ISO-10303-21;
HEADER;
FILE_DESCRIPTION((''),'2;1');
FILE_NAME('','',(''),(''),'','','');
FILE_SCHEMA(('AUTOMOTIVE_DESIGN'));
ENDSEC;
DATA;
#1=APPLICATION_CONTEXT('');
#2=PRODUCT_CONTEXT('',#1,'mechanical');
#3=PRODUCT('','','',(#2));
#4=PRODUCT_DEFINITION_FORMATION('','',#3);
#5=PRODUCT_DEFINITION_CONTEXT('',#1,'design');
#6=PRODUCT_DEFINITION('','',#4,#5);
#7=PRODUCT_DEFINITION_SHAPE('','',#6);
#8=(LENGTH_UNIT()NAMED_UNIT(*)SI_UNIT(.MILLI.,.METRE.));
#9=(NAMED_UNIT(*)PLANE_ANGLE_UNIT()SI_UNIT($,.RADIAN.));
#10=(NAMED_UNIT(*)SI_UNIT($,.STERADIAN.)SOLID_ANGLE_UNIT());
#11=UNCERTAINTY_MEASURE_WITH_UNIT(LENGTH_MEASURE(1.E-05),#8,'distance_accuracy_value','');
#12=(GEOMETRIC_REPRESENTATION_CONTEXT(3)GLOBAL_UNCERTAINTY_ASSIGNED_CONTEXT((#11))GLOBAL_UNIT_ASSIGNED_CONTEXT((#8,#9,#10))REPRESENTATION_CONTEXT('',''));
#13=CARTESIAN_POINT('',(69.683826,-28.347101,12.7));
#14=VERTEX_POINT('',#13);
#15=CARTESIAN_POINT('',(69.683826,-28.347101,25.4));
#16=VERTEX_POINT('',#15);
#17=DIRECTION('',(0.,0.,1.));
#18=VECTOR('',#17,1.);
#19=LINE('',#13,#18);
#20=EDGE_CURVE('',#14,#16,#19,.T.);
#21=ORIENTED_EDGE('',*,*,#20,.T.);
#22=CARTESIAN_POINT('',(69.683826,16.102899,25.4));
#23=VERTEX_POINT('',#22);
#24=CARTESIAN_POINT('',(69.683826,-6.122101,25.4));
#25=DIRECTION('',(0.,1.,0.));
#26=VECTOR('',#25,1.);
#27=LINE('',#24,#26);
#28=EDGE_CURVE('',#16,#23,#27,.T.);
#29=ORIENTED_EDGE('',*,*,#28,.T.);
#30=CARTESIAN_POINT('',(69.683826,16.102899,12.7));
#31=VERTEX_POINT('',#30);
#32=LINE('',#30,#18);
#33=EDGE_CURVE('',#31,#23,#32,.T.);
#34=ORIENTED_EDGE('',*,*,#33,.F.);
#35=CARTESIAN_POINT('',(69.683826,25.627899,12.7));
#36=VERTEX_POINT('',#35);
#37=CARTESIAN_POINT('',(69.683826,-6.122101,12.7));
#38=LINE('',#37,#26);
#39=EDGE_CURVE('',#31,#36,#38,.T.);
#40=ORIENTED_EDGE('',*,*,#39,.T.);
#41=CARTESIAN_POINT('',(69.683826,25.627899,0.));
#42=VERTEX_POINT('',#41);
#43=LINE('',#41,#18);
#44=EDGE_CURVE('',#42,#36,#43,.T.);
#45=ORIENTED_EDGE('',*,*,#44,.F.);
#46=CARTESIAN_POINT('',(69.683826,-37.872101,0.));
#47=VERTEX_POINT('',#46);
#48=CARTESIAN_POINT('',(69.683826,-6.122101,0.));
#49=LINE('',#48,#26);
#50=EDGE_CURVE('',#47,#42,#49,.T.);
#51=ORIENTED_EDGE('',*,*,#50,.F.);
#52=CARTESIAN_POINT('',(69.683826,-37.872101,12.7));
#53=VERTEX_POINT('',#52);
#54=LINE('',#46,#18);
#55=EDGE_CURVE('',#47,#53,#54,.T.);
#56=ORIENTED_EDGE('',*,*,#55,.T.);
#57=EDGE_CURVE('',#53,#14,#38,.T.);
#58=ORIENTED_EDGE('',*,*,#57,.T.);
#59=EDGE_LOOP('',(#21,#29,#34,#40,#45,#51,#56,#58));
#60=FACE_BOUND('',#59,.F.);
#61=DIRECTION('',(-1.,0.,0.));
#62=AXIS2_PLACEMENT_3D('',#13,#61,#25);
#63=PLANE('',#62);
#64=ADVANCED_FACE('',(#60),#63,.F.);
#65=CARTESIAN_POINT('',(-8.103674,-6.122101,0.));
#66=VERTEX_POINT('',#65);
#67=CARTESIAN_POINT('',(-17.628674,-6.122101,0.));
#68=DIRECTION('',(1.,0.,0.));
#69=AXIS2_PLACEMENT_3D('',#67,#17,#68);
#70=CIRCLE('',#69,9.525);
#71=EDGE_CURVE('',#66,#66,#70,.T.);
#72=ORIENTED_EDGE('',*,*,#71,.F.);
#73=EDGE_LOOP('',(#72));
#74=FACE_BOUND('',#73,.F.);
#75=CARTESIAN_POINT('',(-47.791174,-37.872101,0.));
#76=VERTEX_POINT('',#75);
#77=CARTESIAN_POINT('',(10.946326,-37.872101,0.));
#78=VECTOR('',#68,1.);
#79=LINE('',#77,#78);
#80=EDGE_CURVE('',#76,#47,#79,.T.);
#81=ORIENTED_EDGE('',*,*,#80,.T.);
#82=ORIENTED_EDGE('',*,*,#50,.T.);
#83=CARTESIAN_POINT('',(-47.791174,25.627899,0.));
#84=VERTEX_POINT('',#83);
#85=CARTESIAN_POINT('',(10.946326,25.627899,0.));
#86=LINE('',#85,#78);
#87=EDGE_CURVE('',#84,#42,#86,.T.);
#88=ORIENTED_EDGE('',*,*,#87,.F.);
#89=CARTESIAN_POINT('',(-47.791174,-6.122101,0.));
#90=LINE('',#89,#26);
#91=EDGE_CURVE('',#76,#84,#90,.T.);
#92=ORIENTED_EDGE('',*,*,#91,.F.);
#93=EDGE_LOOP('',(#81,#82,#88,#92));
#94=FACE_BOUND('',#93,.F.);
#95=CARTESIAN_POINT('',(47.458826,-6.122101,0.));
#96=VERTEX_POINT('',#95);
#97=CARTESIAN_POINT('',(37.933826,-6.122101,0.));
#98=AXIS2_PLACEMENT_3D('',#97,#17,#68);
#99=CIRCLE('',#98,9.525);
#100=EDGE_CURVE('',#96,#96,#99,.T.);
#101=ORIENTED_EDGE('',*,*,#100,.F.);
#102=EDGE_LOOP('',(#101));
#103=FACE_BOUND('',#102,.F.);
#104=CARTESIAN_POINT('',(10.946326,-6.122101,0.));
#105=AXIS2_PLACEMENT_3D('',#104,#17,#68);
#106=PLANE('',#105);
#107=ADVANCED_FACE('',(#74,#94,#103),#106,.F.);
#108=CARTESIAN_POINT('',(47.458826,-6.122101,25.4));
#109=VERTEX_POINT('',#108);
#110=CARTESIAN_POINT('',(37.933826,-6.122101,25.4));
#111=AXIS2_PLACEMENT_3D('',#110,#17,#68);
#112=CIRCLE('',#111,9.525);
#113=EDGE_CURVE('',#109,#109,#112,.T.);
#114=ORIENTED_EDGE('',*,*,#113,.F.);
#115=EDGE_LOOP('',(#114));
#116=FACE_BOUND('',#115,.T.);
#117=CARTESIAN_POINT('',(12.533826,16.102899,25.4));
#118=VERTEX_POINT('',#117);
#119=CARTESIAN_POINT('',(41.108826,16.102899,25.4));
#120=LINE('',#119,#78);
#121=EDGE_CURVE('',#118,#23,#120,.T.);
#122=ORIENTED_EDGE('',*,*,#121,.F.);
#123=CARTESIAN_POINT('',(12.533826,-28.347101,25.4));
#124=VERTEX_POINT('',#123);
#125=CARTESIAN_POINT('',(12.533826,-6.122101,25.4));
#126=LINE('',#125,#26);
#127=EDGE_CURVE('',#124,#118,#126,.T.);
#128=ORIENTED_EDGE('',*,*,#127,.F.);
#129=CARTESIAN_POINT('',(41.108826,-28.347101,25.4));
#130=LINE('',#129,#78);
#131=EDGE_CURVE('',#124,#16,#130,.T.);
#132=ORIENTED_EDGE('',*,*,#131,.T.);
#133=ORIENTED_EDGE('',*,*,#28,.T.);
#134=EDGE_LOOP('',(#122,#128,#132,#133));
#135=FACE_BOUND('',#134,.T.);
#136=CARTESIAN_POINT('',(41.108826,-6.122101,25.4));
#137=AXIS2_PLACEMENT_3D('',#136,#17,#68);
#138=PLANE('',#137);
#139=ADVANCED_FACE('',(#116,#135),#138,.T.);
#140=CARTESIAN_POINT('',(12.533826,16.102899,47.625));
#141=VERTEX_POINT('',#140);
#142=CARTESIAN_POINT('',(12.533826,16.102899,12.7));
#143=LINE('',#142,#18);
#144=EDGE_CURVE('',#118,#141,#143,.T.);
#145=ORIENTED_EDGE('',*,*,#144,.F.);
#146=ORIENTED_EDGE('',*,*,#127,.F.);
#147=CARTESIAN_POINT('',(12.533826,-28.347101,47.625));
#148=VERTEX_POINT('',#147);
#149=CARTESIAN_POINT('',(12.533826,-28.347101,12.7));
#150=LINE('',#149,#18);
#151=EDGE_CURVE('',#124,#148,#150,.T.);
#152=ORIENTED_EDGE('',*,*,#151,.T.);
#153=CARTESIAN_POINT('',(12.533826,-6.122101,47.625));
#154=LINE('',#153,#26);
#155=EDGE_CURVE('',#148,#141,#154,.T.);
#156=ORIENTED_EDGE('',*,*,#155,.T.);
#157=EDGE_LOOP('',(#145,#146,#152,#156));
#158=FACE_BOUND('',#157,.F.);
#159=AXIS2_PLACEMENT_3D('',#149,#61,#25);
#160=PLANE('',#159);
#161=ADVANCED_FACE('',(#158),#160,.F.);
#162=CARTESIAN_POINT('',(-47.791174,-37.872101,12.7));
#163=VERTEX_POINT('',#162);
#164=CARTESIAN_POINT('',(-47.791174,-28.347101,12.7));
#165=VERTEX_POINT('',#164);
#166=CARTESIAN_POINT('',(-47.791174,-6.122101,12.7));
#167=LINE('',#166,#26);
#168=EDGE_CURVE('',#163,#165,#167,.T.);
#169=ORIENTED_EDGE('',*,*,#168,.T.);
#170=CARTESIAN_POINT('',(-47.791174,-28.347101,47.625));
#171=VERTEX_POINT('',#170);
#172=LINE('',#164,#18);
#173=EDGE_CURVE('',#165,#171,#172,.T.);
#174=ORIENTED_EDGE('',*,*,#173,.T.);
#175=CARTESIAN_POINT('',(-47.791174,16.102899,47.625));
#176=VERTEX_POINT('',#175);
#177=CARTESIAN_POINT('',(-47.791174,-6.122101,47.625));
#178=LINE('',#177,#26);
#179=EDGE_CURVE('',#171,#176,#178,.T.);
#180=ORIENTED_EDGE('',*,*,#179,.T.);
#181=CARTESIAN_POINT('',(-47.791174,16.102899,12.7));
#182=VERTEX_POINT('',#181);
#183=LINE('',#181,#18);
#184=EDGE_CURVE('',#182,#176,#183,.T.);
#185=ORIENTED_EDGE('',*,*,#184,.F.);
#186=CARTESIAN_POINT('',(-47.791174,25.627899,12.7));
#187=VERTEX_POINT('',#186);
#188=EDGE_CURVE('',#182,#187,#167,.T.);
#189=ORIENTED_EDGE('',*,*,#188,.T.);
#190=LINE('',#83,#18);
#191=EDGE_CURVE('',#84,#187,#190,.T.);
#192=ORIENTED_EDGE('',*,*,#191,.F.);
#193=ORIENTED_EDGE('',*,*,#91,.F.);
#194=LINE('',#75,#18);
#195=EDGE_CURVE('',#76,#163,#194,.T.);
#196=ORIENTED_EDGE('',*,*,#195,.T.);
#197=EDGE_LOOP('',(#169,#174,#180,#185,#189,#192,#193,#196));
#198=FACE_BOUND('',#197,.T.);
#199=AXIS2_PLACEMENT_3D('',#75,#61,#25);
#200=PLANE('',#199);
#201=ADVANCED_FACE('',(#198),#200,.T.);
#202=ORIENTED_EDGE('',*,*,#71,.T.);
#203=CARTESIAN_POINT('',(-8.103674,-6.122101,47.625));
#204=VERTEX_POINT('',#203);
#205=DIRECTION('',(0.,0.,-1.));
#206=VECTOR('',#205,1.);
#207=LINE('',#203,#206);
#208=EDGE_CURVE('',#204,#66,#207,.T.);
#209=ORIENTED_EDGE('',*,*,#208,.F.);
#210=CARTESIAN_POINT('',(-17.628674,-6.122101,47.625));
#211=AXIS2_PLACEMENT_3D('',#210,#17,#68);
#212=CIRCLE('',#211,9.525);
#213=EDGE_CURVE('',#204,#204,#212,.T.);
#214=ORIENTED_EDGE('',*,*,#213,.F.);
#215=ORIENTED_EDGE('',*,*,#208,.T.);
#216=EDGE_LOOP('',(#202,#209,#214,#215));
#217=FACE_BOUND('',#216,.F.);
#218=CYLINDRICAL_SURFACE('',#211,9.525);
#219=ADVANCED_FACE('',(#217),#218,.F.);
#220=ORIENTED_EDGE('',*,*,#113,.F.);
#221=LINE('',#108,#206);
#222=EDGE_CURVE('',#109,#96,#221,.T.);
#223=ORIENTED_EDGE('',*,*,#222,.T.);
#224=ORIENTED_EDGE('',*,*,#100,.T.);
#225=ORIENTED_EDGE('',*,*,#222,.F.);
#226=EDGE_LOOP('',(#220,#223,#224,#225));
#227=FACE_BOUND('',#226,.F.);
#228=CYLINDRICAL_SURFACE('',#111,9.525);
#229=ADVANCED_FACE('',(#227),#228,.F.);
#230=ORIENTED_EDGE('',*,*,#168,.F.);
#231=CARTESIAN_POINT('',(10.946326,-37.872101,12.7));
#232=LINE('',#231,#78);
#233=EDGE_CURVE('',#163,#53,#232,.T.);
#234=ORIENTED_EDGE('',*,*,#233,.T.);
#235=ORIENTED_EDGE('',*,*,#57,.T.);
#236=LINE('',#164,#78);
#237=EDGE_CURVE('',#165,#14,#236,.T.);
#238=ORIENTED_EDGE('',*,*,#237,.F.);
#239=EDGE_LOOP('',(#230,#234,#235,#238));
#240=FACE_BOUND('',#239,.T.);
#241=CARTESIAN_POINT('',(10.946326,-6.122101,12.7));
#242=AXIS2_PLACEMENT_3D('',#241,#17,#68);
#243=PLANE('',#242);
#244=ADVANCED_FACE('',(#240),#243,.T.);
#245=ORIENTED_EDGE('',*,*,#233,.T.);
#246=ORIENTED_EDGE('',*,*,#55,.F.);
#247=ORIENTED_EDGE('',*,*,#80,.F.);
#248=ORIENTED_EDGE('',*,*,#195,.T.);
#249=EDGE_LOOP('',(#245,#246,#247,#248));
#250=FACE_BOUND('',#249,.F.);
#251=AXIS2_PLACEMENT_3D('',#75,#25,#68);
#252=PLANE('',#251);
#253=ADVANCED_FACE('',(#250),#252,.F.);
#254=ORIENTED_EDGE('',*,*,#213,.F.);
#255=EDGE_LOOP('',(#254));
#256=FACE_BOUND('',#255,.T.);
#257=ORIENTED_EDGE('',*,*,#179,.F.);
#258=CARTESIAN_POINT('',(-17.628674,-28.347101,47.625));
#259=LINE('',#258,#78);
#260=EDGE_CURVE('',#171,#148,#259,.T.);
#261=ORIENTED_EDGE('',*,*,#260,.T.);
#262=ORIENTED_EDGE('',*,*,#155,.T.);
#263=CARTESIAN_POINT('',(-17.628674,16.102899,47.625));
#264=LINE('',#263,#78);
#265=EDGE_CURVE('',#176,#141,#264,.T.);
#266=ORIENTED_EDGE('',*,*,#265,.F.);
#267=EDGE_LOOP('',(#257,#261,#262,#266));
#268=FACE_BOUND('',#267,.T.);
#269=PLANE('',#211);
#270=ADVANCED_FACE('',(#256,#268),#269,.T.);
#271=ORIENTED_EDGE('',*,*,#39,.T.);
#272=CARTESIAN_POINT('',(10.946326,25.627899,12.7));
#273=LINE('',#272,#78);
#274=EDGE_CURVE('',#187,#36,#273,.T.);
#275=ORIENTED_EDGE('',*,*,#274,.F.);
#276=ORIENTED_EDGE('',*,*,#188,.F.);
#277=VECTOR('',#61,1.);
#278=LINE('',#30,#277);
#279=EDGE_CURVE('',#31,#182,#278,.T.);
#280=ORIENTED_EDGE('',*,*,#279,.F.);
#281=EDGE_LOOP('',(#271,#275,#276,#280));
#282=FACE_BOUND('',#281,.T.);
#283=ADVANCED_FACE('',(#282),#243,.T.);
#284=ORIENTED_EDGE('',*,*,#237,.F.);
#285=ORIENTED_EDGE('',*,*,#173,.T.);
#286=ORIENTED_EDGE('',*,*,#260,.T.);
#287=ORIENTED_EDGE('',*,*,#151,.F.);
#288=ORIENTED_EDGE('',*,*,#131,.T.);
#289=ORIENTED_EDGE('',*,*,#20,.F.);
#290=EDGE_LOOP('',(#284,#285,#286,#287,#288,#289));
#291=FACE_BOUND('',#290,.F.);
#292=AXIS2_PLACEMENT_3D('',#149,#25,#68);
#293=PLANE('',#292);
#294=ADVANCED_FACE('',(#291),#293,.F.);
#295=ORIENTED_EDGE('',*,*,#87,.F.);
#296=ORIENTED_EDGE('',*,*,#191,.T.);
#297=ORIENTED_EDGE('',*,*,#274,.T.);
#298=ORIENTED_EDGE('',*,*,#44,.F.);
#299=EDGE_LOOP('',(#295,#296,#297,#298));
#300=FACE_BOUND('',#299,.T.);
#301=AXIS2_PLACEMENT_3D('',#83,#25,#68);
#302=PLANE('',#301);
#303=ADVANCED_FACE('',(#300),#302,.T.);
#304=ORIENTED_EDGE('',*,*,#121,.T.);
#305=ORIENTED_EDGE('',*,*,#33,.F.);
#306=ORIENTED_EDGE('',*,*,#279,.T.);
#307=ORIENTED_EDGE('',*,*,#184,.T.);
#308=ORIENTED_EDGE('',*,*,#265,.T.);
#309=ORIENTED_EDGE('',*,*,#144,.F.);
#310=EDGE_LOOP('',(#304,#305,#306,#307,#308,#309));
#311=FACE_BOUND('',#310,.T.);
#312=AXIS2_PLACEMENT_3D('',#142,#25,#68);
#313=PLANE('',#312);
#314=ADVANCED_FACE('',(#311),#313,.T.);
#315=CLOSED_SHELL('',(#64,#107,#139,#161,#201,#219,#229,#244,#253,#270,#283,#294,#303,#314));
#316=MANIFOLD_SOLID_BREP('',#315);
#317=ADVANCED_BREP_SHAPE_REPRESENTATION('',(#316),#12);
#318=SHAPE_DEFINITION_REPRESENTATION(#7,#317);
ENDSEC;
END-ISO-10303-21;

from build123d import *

# Parameters (mm, degrees)
F0_W     = 117.475
F0_H     = 63.5
F1_DEPTH = 12.7
F2_W     = 60.325
F2_H     = 44.45
F3_DEPTH = 34.925
F2_W_2   = 57.15
F4_DEPTH = 12.7
F5_R     = 9.525
F6_DEPTH = 64.77
F7_R     = 9.525
F8_DEPTH = 50.038


with BuildPart() as f1:
    # F0 (on Top) → F1 (new body)
    with BuildSketch(Plane.XY):
        with Locations((10.946326, -6.122101)):
            Rectangle(F0_W, F0_H)
    extrude(amount=F1_DEPTH)

    # F2 (on face) → F3 (join)
    with BuildSketch(Plane.XY.offset(12.7)):
        with Locations((-17.628674, -6.122101)):
            Rectangle(F2_W, F2_H)
    extrude(amount=F3_DEPTH)

    # F2 (on face) → F4 (join)
    with BuildSketch(Plane.XY.offset(12.7)):
        with Locations((41.108826, -6.122101)):
            Rectangle(F2_W_2, F2_H)
    extrude(amount=F4_DEPTH)

    # F5 (on face) → F6 (cut)
    with BuildSketch(Plane.XY.offset(47.625)):
        with Locations((-17.628674, -6.122101)):
            Circle(F5_R)
    extrude(amount=-F6_DEPTH, mode=Mode.SUBTRACT)

    # F7 (on face) → F8 (cut)
    with BuildSketch(Plane.XY.offset(25.4)):
        with Locations((37.933826, -6.122101)):
            Circle(F7_R)
    extrude(amount=-F8_DEPTH, mode=Mode.SUBTRACT)


solid = f1.part
